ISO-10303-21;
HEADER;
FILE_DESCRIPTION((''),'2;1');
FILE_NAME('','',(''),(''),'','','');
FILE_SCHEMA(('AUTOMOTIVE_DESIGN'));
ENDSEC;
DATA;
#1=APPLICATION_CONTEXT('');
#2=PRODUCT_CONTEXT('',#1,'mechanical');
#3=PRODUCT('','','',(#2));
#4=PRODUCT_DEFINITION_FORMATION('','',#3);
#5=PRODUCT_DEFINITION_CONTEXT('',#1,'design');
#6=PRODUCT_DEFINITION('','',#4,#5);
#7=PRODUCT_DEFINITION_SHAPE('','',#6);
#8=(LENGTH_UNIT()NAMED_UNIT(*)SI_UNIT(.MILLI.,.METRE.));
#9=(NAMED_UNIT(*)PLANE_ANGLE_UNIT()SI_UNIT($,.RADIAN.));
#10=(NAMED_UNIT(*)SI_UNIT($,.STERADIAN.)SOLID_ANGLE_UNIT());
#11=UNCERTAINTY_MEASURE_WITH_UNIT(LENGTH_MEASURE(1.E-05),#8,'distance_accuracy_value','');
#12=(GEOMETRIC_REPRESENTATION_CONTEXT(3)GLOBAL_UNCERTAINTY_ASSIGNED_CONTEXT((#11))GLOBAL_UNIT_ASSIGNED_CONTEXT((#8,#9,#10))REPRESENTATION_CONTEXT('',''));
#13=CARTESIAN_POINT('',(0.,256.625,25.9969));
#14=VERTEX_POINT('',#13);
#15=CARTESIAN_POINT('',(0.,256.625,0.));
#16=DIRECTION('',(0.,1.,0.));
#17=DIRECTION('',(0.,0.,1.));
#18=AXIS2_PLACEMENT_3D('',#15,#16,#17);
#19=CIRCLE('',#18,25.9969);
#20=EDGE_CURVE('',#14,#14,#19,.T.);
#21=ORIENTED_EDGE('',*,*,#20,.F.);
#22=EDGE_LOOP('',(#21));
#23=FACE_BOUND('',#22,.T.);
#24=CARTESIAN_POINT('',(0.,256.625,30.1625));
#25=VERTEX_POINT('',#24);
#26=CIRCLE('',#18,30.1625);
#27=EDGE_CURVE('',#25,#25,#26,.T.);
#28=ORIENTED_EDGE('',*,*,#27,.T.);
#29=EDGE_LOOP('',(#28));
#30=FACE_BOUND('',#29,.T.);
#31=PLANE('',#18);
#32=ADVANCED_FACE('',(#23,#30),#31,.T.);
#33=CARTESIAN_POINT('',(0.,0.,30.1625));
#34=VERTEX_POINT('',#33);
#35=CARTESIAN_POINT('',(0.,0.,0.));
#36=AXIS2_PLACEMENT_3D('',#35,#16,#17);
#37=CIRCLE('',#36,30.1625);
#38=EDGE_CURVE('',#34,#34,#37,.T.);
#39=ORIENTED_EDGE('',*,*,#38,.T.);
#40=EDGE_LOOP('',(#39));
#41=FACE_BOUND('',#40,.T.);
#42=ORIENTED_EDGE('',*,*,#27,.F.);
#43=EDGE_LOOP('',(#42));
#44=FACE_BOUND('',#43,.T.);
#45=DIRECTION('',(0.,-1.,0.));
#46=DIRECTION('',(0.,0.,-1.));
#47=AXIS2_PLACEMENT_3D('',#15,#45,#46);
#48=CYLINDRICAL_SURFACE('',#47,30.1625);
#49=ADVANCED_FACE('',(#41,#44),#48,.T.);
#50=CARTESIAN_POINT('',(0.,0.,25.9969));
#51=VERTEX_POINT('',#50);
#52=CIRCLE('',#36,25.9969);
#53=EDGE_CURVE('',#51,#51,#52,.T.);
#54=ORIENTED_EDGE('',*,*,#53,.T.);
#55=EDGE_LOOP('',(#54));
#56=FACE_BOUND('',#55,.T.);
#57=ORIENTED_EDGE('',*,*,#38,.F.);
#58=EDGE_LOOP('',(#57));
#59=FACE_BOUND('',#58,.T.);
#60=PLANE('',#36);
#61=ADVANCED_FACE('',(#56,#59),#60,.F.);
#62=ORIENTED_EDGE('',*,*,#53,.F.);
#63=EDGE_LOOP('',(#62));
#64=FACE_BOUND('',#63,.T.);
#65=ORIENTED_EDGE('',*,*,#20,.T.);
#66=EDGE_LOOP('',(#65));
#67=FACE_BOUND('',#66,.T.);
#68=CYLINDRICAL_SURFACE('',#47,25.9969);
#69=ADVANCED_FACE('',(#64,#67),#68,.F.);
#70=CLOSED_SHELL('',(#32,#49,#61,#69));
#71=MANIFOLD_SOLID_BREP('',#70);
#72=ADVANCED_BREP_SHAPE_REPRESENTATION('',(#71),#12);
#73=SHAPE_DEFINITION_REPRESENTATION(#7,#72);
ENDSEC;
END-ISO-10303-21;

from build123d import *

# Parameters (mm, degrees)
SKETCH2_R           = 30.1625
SKETCH2_R_2         = 25.9969
BOSS_EXTRUDE1_DEPTH = 256.625


with BuildPart() as part:
    # Sketch2 → Boss-Extrude1 (new body)
    with BuildSketch(Plane(origin=(0, 0, 0), x_dir=(1, 0, 0), z_dir=(0, 1, 0))):
        Circle(SKETCH2_R)
        Circle(SKETCH2_R_2, mode=Mode.SUBTRACT)
    extrude(amount=BOSS_EXTRUDE1_DEPTH)


solid = part.part
